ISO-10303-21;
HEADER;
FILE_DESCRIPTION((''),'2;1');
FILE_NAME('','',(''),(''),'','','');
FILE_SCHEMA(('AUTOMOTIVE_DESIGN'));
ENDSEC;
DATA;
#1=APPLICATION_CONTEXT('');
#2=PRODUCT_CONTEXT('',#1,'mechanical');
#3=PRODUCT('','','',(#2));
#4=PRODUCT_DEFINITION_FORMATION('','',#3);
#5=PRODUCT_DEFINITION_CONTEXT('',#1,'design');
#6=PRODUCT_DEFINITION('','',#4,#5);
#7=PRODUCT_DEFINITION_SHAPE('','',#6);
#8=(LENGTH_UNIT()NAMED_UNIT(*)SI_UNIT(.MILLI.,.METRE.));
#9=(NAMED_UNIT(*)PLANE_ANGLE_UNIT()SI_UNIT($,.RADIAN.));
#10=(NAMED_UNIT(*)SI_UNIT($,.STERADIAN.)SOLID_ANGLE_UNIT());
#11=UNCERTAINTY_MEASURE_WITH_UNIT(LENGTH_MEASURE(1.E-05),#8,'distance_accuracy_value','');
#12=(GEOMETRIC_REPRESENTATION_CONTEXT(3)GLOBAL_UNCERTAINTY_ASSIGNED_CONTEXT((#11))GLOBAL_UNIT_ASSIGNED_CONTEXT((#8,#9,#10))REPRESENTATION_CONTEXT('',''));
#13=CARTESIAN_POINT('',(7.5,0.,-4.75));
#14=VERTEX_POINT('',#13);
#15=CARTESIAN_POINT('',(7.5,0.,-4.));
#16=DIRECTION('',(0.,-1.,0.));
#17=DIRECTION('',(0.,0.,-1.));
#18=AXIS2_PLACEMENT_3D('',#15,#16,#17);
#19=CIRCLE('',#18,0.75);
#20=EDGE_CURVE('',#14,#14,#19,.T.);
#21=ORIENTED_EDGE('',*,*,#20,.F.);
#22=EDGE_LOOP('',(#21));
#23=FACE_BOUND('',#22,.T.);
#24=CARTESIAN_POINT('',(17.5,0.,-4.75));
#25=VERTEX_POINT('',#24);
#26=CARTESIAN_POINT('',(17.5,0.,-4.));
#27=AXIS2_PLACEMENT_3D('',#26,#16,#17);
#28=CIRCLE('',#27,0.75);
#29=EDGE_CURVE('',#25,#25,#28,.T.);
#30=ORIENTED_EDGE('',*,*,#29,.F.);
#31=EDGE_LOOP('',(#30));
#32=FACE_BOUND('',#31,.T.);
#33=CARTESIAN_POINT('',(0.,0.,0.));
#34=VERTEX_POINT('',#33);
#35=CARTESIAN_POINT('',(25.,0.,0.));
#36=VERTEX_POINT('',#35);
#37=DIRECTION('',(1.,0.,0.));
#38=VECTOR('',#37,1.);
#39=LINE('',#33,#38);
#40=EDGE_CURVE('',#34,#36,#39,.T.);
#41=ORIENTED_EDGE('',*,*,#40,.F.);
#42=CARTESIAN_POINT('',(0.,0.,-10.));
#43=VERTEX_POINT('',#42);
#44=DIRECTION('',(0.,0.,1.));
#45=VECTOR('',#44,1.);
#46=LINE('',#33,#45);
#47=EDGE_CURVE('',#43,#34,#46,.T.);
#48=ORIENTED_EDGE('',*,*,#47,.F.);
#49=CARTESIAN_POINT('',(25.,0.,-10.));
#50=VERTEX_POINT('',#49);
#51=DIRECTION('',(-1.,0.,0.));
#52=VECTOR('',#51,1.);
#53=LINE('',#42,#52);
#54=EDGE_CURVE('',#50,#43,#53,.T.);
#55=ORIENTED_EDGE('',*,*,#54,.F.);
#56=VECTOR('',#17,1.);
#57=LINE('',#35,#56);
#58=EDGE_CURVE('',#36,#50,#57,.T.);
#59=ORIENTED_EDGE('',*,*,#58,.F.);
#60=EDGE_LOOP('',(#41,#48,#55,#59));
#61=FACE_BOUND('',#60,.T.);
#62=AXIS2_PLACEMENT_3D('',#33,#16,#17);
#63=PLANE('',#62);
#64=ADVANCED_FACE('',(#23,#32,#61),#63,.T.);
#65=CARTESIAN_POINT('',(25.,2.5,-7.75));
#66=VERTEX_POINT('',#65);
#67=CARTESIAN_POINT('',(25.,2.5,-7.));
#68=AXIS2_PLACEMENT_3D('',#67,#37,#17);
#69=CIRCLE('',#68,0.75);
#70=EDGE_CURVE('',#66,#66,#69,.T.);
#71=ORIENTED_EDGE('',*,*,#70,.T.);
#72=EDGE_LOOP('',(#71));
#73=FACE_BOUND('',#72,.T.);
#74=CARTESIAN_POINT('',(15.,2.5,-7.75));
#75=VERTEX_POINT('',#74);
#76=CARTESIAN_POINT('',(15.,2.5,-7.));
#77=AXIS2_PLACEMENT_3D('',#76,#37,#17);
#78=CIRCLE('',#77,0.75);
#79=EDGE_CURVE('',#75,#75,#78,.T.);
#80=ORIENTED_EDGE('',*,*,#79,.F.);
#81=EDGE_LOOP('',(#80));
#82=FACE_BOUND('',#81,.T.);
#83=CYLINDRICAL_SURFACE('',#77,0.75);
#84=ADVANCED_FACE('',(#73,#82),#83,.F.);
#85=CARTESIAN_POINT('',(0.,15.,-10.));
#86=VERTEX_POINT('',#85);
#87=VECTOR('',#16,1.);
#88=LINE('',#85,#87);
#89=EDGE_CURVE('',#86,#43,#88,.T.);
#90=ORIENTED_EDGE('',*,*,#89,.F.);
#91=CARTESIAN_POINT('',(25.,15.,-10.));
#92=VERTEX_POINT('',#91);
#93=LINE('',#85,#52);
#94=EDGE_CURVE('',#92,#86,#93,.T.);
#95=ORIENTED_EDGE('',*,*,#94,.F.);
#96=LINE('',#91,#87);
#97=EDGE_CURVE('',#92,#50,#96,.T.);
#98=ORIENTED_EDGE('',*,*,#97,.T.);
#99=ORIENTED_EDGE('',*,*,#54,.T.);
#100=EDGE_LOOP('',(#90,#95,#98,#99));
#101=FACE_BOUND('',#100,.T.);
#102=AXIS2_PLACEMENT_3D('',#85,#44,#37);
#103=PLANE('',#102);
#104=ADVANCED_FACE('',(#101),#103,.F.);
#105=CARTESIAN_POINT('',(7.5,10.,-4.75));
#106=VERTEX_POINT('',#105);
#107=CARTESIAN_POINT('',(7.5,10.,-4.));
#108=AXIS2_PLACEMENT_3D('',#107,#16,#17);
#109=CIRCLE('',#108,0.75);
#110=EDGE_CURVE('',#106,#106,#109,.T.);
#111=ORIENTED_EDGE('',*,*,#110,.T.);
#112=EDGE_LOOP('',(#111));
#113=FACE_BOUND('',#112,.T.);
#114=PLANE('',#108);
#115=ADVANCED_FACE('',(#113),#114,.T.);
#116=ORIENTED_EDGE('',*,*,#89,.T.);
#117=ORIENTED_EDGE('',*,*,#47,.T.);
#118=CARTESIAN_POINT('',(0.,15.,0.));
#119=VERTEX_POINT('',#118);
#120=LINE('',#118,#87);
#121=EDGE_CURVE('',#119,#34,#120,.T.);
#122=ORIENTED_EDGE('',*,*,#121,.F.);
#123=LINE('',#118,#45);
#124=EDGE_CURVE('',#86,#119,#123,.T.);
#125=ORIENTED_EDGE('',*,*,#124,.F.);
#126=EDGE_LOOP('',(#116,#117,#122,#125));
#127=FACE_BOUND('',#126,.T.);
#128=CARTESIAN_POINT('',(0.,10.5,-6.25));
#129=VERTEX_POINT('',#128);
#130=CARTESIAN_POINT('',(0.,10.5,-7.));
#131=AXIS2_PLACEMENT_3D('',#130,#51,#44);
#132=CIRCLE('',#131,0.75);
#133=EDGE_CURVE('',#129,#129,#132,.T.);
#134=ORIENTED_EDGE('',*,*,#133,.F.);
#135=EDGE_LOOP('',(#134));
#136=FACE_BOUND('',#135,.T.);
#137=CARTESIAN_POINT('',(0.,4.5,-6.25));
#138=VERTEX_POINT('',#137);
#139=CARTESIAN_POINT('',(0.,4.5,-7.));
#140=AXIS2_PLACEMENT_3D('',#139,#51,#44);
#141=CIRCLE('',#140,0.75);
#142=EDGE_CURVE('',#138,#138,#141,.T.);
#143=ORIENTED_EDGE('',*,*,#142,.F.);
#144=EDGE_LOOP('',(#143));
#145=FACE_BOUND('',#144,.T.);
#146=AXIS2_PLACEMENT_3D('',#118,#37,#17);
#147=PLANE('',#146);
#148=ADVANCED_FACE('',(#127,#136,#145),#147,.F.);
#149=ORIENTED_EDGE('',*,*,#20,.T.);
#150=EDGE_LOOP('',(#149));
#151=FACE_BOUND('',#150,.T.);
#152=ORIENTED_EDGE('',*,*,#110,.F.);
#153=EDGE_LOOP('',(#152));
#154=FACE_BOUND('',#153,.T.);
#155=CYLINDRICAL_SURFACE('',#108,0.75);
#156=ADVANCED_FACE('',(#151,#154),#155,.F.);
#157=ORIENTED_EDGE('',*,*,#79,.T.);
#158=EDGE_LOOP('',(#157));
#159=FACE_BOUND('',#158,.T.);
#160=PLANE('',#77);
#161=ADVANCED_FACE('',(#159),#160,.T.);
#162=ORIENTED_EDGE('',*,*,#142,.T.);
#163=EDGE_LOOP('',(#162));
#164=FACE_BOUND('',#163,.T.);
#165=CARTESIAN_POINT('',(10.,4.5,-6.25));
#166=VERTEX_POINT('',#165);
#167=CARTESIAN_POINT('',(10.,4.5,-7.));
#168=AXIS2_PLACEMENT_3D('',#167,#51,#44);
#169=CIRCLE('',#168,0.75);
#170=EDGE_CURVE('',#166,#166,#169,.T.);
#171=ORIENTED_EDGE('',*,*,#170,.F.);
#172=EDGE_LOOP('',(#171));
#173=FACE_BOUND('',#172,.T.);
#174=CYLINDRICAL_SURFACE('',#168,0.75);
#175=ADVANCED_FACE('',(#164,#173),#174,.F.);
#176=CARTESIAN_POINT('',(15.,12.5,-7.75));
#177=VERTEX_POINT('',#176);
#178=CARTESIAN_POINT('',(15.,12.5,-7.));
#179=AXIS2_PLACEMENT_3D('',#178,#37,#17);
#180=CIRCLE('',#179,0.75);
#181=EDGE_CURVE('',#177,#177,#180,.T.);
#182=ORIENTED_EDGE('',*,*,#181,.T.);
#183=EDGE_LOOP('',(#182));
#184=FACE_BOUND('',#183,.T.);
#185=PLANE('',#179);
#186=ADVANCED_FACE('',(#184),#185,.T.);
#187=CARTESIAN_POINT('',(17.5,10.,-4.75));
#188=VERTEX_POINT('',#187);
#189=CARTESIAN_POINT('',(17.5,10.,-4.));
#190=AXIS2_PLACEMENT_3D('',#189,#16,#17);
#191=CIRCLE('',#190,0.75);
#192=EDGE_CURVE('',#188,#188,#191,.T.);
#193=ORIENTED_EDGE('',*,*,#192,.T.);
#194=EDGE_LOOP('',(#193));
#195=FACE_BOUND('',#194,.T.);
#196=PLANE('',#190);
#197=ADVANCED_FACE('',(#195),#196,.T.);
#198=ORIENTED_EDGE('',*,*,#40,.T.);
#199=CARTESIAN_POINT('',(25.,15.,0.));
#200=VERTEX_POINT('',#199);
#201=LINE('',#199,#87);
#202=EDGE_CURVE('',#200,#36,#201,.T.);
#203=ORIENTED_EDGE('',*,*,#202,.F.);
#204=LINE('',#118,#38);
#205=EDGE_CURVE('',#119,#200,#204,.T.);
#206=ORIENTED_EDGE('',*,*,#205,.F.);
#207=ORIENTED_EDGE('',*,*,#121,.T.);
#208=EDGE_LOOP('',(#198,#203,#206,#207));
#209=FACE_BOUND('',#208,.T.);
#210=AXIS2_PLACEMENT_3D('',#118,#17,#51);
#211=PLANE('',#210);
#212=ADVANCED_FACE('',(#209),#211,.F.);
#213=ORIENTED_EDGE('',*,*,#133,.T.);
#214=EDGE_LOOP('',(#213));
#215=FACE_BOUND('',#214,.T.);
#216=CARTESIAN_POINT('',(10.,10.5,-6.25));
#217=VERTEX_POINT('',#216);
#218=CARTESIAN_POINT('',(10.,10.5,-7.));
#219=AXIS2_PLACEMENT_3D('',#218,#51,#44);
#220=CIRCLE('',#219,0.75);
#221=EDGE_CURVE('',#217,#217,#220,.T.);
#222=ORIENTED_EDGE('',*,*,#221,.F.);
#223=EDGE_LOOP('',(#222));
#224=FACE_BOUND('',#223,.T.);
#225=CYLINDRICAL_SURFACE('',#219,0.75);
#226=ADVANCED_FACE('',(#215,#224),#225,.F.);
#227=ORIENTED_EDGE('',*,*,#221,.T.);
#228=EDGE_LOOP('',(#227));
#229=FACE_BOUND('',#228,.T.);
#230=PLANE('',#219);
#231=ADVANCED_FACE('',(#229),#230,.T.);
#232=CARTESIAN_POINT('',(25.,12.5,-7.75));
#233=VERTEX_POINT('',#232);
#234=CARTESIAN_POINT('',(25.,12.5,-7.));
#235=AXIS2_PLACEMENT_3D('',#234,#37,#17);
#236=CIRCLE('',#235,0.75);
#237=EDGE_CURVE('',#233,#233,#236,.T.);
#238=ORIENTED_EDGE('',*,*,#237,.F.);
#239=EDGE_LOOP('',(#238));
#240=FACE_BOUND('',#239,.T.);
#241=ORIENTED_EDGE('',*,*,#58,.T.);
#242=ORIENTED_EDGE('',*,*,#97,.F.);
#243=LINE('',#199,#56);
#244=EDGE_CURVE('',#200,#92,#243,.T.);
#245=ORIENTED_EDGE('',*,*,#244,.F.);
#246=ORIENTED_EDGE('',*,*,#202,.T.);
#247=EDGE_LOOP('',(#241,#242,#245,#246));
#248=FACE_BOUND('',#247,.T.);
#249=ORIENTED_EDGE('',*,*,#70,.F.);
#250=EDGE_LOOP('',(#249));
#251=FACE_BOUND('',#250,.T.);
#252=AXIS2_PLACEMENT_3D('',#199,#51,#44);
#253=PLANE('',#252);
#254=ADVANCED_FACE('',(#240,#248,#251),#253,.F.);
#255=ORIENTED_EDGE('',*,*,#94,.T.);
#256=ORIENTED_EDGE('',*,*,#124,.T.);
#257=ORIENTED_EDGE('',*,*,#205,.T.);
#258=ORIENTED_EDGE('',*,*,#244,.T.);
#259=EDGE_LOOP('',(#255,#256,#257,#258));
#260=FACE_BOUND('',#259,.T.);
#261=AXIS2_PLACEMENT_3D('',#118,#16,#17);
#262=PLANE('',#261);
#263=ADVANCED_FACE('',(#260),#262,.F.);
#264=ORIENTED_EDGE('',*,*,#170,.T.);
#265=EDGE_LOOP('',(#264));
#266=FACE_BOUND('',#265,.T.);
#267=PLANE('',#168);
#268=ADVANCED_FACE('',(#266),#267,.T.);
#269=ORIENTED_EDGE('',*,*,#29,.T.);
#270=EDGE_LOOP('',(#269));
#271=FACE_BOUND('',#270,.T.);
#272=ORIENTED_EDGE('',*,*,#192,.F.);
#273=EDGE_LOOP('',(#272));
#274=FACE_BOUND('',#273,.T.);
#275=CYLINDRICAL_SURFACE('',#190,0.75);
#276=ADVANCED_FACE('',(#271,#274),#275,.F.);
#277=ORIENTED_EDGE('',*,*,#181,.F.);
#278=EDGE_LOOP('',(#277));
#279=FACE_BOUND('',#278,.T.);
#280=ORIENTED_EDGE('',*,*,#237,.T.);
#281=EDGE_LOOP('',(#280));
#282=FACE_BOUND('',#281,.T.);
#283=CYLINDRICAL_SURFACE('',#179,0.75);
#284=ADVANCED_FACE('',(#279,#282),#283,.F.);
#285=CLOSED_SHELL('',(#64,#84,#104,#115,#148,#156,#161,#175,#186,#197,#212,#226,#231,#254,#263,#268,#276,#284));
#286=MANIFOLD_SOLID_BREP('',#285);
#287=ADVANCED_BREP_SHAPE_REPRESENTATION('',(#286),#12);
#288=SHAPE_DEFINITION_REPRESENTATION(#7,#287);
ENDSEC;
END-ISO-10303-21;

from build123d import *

# Parameters (mm, degrees)
SKETCH1_W           = 25
SKETCH1_H           = 10
BOSS_EXTRUDE1_DEPTH = 15
SKETCH2_R           = 0.75
CUT_EXTRUDE1_DEPTH  = 10
SKETCH3_R           = 0.75
CUT_EXTRUDE2_DEPTH  = 10
SKETCH4_R           = 0.75
CUT_EXTRUDE3_DEPTH  = 10


with BuildPart() as part:
    # Sketch1 → Boss-Extrude1 (new body)
    with BuildSketch(Plane(origin=(0, 0, 0), x_dir=(1, 0, 0), z_dir=(0, 1, 0))):
        with Locations((12.5, 5)):
            Rectangle(SKETCH1_W, SKETCH1_H)
    extrude(amount=BOSS_EXTRUDE1_DEPTH)

    # Sketch2 → Cut-Extrude1 (cut)
    with BuildSketch(Plane.XZ):
        with Locations((7.5, -4)):
            Circle(SKETCH2_R)
        with Locations((17.5, -4)):
            Circle(SKETCH2_R)
    extrude(amount=-CUT_EXTRUDE1_DEPTH, mode=Mode.SUBTRACT)

    # Sketch3 → Cut-Extrude2 (cut)
    with BuildSketch(Plane.ZY):
        with Locations((-7, 10.5)):
            Circle(SKETCH3_R)
        with Locations((-7, 4.5)):
            Circle(SKETCH3_R)
    extrude(amount=-CUT_EXTRUDE2_DEPTH, mode=Mode.SUBTRACT)

    # Sketch4 → Cut-Extrude3 (cut)
    with BuildSketch(Plane(origin=(25, 0, 0), x_dir=(0, 0, -1), z_dir=(1, 0, 0))):
        with Locations((7, 12.5)):
            Circle(SKETCH4_R)
        with Locations((7, 2.5)):
            Circle(SKETCH4_R)
    extrude(amount=-CUT_EXTRUDE3_DEPTH, mode=Mode.SUBTRACT)


solid = part.part
